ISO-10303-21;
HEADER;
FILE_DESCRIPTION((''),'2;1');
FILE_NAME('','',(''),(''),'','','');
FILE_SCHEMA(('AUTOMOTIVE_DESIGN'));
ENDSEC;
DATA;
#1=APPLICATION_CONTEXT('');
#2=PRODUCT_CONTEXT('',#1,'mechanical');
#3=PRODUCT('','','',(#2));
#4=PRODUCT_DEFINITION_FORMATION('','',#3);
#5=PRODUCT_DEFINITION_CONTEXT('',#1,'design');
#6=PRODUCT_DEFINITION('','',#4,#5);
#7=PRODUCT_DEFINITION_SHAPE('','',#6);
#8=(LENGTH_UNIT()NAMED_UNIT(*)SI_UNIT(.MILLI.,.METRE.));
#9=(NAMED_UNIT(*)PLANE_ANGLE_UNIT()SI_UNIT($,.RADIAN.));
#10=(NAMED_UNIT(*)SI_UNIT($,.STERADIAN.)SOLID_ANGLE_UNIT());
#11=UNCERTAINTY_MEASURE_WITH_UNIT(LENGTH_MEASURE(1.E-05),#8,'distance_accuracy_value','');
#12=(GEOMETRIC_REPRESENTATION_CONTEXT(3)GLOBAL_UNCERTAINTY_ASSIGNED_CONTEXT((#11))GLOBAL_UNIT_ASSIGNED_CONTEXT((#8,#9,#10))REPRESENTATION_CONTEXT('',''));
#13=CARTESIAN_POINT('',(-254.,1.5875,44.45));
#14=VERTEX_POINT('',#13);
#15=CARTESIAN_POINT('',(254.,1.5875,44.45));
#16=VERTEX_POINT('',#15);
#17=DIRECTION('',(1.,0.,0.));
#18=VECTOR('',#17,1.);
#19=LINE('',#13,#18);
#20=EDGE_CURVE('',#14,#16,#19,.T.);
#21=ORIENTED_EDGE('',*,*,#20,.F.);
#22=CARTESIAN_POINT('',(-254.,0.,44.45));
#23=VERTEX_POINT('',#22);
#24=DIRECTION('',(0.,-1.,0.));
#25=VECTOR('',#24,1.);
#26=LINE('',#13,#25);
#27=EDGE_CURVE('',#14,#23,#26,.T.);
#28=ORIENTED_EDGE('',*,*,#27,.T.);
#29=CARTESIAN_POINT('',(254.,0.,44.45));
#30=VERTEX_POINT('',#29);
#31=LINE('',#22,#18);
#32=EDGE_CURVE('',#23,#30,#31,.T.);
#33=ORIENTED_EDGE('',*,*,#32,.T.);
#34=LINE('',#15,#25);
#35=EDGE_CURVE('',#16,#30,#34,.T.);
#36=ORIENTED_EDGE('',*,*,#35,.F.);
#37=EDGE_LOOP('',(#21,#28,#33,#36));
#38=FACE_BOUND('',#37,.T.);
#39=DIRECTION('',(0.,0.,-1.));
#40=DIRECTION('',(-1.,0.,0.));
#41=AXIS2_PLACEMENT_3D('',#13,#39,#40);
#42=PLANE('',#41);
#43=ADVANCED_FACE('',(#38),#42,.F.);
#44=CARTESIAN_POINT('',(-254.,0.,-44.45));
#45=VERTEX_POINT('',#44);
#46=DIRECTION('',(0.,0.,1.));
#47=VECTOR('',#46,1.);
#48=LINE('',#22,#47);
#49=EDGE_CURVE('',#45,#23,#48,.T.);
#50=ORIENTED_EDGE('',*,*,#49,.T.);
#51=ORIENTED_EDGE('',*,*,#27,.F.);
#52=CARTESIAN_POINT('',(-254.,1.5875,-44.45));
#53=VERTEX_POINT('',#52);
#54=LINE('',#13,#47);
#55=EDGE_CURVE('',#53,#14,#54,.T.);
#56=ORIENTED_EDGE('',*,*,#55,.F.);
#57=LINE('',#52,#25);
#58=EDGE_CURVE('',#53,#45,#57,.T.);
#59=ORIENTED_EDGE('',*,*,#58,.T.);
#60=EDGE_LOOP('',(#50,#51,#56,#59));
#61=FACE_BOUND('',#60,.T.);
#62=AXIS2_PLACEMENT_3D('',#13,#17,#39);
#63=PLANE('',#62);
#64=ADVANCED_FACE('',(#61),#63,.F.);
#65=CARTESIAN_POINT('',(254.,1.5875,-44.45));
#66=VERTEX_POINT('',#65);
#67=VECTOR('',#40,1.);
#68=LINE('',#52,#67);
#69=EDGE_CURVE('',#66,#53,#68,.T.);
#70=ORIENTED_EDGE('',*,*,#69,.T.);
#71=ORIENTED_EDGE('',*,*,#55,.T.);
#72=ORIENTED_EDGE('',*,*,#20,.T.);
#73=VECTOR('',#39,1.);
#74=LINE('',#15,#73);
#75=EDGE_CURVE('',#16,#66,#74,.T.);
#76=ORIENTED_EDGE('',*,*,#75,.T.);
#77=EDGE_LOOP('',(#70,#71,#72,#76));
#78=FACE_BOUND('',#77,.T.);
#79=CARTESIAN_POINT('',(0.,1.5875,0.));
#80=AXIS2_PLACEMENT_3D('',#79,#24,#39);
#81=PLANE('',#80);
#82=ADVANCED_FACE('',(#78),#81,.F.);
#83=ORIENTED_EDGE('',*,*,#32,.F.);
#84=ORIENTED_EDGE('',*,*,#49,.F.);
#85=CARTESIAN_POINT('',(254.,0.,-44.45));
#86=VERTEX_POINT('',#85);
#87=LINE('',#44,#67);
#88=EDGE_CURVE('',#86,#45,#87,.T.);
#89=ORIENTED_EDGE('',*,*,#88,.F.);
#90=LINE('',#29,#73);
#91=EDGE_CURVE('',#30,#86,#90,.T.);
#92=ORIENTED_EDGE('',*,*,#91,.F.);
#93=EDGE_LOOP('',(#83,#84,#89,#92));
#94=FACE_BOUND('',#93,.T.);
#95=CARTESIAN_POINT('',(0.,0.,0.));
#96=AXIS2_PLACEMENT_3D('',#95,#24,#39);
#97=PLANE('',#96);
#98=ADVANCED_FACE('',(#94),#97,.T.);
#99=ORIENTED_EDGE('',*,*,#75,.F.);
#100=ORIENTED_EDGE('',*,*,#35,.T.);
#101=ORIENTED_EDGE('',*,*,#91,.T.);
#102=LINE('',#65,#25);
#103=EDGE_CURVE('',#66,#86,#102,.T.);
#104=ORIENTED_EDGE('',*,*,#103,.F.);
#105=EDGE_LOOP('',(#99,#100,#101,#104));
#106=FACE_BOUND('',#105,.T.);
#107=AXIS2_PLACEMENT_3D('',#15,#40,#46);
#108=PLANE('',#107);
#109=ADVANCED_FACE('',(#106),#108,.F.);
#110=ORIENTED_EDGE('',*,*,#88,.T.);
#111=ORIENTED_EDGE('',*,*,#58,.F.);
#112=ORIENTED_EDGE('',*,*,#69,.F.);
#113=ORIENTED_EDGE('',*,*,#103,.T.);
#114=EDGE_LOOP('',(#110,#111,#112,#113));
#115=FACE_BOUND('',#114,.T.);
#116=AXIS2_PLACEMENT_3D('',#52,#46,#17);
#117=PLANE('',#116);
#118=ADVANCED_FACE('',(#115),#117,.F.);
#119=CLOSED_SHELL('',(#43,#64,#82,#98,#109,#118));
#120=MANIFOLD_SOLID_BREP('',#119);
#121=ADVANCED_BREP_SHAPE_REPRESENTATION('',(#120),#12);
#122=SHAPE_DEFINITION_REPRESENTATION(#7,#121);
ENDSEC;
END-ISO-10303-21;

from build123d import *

# Parameters (mm, degrees)
SKETCH1_W           = 508
SKETCH1_H           = 88.9
BOSS_EXTRUDE1_DEPTH = 1.5875


with BuildPart() as part:
    # Sketch1 → Boss-Extrude1 (new body)
    with BuildSketch(Plane(origin=(0, 0, 0), x_dir=(1, 0, 0), z_dir=(0, 1, 0))):
        Rectangle(SKETCH1_W, SKETCH1_H)
    extrude(amount=BOSS_EXTRUDE1_DEPTH)


solid = part.part
